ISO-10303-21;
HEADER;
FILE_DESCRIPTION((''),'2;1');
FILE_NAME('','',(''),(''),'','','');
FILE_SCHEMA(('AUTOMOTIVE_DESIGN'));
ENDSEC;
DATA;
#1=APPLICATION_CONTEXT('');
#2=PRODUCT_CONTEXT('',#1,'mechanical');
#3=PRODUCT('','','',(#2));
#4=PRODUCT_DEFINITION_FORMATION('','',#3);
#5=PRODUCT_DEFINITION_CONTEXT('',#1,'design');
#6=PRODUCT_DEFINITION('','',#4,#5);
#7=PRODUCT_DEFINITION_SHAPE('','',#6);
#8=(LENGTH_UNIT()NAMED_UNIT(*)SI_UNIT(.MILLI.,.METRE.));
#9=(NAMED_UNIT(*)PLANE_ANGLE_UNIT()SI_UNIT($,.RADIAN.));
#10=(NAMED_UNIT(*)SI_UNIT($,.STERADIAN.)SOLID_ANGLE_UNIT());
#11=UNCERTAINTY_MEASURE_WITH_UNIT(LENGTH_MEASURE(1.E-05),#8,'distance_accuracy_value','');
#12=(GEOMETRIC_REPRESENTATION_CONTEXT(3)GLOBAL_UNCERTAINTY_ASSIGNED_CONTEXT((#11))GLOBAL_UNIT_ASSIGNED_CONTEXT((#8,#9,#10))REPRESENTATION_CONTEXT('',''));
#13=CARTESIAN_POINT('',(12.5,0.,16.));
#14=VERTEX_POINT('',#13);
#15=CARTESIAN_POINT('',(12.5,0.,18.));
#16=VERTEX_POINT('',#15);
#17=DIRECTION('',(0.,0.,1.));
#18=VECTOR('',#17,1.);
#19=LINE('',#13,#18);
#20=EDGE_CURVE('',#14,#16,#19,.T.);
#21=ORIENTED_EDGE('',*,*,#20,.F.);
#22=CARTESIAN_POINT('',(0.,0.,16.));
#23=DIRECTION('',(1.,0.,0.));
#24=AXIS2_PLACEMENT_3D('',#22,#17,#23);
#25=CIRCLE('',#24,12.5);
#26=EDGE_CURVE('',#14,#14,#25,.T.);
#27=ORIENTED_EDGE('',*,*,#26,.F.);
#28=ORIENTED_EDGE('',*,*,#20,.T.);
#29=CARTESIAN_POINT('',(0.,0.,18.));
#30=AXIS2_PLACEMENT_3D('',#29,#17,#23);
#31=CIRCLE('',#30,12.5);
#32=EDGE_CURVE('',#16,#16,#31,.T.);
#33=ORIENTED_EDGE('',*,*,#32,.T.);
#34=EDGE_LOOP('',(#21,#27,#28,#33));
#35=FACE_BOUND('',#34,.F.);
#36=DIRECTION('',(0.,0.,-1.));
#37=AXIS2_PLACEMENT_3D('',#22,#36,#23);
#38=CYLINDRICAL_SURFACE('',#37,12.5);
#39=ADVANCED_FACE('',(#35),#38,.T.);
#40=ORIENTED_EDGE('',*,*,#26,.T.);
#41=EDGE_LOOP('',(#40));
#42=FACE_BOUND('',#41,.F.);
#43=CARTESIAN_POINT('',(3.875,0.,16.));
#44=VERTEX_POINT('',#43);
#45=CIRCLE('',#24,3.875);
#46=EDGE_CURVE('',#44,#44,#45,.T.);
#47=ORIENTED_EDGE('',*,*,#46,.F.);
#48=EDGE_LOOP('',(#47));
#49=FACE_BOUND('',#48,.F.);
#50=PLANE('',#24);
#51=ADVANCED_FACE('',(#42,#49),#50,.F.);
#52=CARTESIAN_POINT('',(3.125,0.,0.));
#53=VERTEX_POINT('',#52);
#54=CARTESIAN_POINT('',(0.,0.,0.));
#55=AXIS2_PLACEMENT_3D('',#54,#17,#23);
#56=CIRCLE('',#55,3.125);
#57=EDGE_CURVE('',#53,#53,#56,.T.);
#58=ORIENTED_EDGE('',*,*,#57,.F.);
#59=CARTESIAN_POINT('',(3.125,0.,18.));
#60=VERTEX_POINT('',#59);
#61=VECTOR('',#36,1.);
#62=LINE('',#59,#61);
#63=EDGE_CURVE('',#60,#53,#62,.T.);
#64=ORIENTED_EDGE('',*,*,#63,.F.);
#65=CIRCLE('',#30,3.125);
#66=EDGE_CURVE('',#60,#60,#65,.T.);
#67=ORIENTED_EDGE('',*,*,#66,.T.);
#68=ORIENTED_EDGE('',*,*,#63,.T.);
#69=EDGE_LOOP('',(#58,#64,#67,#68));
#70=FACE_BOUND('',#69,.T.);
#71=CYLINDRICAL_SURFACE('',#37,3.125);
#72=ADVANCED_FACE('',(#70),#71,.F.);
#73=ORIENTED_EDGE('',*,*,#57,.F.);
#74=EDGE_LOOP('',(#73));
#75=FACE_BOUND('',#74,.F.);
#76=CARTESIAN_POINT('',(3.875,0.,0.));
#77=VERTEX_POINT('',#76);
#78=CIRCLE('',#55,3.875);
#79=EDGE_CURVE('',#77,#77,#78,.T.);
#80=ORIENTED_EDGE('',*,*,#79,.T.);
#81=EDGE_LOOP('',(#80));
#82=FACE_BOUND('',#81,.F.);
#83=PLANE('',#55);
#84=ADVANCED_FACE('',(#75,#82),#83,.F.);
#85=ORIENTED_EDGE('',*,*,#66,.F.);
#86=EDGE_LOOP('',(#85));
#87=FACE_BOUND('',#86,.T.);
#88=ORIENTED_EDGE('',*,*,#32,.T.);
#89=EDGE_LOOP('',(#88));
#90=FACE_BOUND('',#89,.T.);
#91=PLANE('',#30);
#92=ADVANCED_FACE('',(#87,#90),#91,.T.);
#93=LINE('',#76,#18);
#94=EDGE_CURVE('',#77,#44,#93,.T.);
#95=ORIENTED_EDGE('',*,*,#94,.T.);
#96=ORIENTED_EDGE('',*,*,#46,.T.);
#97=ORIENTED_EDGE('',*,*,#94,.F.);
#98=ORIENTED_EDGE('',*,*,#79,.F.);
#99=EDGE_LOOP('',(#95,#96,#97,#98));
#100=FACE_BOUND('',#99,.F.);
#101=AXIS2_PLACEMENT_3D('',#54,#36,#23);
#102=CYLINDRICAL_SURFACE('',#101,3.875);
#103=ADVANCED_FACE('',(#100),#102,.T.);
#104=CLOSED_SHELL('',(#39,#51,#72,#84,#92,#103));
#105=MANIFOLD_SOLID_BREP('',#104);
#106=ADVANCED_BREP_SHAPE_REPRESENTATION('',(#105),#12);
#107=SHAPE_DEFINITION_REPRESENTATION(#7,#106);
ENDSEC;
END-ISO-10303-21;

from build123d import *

# Parameters (mm, degrees)
SKETCH_R      = 3.875
SKETCH_R_2    = 3.125
PAD_DEPTH     = 16
SKETCH001_R   = 12.5
SKETCH001_R_2 = 3.125
PAD001_DEPTH  = 2


with BuildPart() as part:
    # Sketch → Pad (new body)
    with BuildSketch(Plane.XY):
        Circle(SKETCH_R)
        Circle(SKETCH_R_2, mode=Mode.SUBTRACT)
    extrude(amount=PAD_DEPTH)

    # Sketch001 (on Face4 of Pad) → Pad001 (join)
    with BuildSketch(Plane.XY.offset(16)):
        Circle(SKETCH001_R)
        Circle(SKETCH001_R_2, mode=Mode.SUBTRACT)
    extrude(amount=PAD001_DEPTH)


solid = part.part
